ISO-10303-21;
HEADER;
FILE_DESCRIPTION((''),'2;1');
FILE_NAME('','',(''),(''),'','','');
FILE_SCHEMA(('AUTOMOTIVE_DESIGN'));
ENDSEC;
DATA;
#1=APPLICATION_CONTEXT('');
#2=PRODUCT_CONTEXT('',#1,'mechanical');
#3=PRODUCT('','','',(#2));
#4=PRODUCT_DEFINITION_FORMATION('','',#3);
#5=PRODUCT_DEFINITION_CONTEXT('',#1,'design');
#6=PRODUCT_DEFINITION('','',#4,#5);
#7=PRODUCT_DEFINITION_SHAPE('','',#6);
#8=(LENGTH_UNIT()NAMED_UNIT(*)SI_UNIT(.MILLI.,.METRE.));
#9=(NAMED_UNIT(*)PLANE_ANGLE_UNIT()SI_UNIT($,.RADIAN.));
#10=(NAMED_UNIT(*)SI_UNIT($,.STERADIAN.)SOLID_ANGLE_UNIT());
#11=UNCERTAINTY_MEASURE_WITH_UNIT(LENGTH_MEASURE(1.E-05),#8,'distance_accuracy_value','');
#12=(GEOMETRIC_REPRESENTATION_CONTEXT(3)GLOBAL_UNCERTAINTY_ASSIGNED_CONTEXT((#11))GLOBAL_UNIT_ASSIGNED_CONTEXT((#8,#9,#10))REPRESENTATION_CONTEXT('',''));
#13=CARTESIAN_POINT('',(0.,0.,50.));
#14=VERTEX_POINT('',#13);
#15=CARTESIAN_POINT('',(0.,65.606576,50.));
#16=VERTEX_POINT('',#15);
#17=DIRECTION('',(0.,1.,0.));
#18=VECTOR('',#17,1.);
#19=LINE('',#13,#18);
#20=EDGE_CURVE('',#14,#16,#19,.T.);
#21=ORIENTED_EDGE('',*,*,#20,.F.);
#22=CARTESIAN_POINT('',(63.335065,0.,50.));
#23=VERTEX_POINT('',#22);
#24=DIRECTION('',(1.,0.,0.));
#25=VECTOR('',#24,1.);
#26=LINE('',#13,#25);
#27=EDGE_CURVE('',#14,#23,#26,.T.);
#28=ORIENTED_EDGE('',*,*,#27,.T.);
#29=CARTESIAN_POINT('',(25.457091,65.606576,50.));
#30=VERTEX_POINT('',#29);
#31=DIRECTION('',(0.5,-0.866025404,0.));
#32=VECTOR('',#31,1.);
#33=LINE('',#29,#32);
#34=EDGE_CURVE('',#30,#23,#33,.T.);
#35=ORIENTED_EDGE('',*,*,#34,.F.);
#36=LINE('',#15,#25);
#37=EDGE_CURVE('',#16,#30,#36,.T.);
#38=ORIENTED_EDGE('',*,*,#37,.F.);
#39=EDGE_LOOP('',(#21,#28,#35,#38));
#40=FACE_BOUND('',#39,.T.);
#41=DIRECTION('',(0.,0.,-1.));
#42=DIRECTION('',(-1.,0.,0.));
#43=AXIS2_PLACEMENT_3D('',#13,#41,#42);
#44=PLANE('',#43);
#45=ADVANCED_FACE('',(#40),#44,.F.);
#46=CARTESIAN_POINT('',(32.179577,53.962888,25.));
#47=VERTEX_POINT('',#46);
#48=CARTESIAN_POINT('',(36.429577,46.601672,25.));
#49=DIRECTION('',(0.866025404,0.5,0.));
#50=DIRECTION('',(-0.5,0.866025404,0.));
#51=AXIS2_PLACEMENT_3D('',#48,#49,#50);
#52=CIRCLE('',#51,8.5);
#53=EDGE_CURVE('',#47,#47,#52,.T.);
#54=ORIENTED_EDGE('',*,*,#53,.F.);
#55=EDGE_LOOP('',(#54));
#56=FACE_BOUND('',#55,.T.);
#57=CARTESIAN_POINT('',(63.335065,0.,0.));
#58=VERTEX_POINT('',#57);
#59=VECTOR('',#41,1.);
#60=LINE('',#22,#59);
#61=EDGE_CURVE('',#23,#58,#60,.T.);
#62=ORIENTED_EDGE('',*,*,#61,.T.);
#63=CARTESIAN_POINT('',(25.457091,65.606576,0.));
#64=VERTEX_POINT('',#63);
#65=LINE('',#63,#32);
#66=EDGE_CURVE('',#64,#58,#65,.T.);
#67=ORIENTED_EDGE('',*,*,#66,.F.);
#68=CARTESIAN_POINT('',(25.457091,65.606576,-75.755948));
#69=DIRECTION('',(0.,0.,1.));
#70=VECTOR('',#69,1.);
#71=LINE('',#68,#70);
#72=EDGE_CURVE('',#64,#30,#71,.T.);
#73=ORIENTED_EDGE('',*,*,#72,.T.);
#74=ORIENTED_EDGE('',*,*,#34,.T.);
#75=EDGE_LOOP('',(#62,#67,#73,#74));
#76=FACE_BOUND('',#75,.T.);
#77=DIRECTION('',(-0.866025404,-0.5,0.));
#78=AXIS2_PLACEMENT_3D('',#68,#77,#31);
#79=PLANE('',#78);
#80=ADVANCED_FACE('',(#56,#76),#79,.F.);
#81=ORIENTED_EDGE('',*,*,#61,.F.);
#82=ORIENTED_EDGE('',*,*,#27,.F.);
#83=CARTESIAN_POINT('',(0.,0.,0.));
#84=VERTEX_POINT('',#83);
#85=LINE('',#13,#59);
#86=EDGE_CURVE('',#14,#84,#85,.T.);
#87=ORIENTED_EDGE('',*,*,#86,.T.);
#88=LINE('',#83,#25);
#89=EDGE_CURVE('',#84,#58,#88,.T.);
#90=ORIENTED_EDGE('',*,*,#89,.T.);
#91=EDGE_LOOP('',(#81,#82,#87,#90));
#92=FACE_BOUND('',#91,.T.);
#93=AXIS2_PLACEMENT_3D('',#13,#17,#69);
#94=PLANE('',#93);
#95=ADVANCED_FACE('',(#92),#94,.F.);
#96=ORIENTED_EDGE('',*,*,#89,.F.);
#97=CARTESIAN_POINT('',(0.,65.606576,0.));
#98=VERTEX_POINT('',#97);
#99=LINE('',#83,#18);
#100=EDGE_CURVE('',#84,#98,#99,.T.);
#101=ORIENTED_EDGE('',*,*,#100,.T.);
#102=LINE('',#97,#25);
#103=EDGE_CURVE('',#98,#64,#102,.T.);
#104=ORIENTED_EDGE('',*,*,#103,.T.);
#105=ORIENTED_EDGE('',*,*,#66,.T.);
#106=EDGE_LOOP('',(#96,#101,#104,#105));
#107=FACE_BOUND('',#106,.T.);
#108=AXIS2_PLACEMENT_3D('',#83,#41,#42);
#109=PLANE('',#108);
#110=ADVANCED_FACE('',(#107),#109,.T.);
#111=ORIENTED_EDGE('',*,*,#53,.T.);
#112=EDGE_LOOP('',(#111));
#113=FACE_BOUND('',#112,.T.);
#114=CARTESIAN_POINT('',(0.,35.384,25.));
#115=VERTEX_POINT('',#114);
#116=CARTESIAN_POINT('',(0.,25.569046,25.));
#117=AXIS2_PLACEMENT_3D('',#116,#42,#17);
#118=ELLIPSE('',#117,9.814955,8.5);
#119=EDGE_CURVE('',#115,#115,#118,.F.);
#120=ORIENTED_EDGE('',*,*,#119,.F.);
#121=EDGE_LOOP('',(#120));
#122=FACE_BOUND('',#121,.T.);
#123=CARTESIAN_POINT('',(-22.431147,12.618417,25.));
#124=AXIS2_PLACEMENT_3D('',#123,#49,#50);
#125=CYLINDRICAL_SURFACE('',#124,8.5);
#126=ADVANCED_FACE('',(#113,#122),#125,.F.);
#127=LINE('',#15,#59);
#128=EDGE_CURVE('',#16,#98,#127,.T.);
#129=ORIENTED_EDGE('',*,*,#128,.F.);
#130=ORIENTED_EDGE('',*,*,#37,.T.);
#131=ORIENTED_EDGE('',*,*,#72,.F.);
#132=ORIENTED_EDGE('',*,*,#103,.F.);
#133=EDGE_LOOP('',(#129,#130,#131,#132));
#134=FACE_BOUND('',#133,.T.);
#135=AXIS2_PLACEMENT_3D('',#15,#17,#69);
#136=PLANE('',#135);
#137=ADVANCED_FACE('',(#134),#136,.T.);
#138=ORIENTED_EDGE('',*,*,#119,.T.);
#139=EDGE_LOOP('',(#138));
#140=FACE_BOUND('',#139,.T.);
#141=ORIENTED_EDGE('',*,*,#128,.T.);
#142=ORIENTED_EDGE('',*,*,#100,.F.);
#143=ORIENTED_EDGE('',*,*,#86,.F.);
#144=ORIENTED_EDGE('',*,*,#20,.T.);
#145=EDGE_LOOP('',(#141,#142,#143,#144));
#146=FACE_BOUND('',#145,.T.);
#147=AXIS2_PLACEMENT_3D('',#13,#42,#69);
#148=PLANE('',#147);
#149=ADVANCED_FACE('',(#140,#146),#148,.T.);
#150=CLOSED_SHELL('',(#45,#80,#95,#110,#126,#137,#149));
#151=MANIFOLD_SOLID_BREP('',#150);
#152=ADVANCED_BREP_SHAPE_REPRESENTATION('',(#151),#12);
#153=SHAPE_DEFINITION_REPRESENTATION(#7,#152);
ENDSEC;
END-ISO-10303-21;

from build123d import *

# Parameters (mm, degrees)
SKETCH1_W           = 63.335064935
SKETCH1_H           = 65.606575703
BOSS_EXTRUDE1_DEPTH = 50
CUT_EXTRUDE1_DEPTH  = 50
CUT_EXTRUDE2_REACH  = 80.83
SKETCH3_R           = 8.5


with BuildPart() as part:
    # Sketch1 → Boss-Extrude1 (new body)
    with BuildSketch(Plane.XY):
        with Locations((31.667532468, 32.803287852)):
            Rectangle(SKETCH1_W, SKETCH1_H)
    extrude(amount=BOSS_EXTRUDE1_DEPTH)

    # Sketch2 → Cut-Extrude1 (cut)
    with BuildSketch(Plane.XY.offset(50)):
        Polygon((25.457090792, 65.606575703), (63.335064935, 0), (63.335064935, 65.606575703), align=None)
    extrude(amount=-CUT_EXTRUDE1_DEPTH, mode=Mode.SUBTRACT)

    # Cut-Extrude2: up to this plane
    cut_extrude2_end = Plane(origin=(0, 0, 50), z_dir=(-1, 0, 0))
    # Sketch3 → Cut-Extrude2 (cut, up to the surface)
    with BuildSketch(Plane(origin=(47.501298701, 27.424887592, 0), x_dir=(0, 0, -1), z_dir=(0.866025403784436, 0.5000000000000043, 0)), mode=Mode.PRIVATE) as cut_extrude2_sk1:
        with Locations(Location((-25, 22.143442983, 0), (0, 0, 90))):
            Circle(SKETCH3_R)
    cut_extrude2_tool1 = split(extrude(cut_extrude2_sk1.sketch, amount=-CUT_EXTRUDE2_REACH, mode=Mode.PRIVATE), bisect_by=cut_extrude2_end, keep=Keep.BOTH, mode=Mode.PRIVATE)
    add(cut_extrude2_tool1.solids().sort_by_distance((36.429577, 46.601672, 25))[0], mode=Mode.SUBTRACT)


solid = part.part
